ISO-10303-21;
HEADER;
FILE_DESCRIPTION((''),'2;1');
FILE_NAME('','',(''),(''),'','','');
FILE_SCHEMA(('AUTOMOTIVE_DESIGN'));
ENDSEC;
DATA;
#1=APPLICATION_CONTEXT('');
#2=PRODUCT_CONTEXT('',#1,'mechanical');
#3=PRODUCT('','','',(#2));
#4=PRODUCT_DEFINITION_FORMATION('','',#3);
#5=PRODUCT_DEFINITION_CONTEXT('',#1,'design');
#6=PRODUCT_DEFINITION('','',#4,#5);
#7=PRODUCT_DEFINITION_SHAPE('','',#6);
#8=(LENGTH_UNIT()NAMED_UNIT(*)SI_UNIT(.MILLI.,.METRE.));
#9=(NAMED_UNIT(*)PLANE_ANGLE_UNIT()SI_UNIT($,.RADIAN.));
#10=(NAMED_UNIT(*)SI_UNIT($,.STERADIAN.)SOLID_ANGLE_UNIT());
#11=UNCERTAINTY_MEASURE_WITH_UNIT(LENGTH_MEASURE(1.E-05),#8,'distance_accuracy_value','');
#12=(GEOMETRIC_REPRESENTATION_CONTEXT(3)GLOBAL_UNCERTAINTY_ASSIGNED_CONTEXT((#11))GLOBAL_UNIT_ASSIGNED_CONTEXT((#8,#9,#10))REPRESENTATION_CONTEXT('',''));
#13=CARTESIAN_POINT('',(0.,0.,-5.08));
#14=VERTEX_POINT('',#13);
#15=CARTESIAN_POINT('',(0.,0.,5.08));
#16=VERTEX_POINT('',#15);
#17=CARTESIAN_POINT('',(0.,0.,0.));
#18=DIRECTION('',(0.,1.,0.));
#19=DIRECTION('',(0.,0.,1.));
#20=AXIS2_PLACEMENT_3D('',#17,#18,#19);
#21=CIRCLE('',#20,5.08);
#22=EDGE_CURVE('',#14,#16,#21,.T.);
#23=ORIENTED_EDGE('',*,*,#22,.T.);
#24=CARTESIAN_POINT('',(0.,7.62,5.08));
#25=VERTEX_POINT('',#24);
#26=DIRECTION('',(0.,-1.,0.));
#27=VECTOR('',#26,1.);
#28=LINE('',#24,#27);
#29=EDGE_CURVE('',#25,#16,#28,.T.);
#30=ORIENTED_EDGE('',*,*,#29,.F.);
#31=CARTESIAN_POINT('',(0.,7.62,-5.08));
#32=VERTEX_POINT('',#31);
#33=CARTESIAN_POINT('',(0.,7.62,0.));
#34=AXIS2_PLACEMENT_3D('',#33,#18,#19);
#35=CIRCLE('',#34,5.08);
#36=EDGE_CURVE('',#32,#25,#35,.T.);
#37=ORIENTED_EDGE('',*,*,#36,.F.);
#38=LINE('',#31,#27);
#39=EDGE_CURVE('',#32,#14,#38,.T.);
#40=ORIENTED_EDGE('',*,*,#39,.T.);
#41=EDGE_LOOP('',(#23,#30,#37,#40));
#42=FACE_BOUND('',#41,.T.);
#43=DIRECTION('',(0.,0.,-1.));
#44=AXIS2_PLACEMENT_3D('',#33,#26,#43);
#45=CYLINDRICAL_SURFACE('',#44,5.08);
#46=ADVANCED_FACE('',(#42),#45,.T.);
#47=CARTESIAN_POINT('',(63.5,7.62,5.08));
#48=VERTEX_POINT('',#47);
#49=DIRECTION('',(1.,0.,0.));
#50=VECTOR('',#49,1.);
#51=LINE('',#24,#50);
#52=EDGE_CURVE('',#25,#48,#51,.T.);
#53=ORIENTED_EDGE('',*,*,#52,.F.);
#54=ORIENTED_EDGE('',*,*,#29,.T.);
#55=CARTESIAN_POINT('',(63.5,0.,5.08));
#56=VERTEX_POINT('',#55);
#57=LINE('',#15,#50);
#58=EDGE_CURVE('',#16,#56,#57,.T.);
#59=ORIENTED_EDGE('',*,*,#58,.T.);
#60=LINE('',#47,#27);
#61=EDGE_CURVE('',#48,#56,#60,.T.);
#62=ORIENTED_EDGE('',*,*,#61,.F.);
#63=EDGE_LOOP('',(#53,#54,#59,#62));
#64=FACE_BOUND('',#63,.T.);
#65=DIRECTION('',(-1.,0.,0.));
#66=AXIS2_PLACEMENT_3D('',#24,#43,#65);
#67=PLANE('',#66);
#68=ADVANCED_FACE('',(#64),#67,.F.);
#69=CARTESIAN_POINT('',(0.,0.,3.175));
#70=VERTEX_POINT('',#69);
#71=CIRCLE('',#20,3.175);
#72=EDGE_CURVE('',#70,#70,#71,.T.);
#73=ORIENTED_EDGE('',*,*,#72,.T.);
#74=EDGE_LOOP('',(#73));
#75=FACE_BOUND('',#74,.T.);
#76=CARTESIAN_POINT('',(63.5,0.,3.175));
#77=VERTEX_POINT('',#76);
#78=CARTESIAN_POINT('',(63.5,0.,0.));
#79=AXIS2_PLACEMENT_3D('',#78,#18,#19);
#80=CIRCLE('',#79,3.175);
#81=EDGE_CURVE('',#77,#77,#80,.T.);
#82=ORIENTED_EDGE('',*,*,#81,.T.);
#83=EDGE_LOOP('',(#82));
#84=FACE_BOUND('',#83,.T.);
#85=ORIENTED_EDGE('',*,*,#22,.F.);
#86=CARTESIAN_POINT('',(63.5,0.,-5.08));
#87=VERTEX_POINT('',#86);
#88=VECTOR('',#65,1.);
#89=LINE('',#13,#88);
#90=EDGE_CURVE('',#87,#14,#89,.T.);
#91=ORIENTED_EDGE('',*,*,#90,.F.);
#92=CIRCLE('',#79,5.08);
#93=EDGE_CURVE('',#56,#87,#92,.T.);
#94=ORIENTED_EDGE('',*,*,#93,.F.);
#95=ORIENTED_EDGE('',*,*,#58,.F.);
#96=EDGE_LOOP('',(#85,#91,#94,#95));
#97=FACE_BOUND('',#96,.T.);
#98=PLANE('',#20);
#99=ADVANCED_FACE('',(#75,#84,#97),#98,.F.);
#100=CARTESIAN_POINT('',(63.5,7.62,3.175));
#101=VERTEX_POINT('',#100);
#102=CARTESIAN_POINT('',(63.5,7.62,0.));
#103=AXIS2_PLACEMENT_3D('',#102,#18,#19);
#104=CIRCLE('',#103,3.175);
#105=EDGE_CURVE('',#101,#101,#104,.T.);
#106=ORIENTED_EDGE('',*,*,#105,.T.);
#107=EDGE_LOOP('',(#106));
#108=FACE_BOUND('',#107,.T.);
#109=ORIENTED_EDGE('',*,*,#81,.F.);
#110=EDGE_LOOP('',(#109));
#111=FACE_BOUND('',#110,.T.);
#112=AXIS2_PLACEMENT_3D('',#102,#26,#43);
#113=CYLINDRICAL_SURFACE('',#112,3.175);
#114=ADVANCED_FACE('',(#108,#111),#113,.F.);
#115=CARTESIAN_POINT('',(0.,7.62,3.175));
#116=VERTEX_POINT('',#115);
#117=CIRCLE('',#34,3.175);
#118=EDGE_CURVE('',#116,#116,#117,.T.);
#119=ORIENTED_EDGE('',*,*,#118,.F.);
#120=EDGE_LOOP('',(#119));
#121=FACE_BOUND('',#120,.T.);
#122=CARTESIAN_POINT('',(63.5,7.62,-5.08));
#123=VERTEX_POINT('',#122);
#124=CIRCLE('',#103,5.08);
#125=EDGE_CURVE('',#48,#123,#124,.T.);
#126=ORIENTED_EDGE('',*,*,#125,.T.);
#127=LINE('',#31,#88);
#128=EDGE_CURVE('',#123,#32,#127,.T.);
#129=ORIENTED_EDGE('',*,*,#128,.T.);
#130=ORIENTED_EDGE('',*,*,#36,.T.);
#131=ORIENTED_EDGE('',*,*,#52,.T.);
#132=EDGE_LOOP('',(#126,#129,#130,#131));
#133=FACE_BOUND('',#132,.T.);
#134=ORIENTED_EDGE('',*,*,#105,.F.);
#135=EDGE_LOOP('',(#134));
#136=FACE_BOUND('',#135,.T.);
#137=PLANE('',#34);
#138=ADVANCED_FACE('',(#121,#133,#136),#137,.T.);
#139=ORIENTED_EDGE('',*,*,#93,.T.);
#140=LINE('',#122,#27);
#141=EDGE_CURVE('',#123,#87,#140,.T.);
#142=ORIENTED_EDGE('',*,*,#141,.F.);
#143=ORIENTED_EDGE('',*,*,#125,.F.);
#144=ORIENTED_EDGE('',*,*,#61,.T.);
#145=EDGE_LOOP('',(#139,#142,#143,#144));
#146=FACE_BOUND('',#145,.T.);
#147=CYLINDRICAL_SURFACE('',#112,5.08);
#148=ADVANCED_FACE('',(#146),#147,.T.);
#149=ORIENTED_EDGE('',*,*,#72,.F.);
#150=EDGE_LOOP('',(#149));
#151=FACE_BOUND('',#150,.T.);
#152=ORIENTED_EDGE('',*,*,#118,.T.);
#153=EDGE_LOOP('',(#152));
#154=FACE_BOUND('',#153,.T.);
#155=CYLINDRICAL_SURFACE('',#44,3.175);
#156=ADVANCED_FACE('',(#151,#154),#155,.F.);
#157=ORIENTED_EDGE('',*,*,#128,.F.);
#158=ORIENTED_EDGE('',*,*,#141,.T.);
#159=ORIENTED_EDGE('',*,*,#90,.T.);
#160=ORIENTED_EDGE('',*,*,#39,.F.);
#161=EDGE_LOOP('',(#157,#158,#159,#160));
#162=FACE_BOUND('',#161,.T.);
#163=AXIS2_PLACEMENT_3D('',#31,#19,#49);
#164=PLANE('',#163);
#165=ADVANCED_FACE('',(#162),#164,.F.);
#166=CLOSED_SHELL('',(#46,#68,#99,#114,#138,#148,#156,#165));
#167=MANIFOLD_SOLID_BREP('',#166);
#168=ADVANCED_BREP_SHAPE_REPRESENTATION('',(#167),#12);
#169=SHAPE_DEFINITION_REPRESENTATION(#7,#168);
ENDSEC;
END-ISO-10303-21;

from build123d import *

# Parameters (mm, degrees)
SKETCH1_R           = 3.175
BOSS_EXTRUDE1_DEPTH = 7.62


with BuildPart() as part:
    # Sketch1 → Boss-Extrude1 (new body)
    with BuildSketch(Plane(origin=(0, 0, 0), x_dir=(1, 0, 0), z_dir=(0, 1, 0))):
        with BuildLine():
            Line((0, 5.08), (63.5, 5.08))
            ThreePointArc((63.5, 5.08), (68.58, 0), (63.5, -5.08))
            Line((63.5, -5.08), (0, -5.08))
            ThreePointArc((0, -5.08), (-5.08, 0), (0, 5.08))
        make_face()
        Circle(SKETCH1_R, mode=Mode.SUBTRACT)
        with Locations((63.5, 0)):
            Circle(SKETCH1_R, mode=Mode.SUBTRACT)
    extrude(amount=BOSS_EXTRUDE1_DEPTH)


solid = part.part
